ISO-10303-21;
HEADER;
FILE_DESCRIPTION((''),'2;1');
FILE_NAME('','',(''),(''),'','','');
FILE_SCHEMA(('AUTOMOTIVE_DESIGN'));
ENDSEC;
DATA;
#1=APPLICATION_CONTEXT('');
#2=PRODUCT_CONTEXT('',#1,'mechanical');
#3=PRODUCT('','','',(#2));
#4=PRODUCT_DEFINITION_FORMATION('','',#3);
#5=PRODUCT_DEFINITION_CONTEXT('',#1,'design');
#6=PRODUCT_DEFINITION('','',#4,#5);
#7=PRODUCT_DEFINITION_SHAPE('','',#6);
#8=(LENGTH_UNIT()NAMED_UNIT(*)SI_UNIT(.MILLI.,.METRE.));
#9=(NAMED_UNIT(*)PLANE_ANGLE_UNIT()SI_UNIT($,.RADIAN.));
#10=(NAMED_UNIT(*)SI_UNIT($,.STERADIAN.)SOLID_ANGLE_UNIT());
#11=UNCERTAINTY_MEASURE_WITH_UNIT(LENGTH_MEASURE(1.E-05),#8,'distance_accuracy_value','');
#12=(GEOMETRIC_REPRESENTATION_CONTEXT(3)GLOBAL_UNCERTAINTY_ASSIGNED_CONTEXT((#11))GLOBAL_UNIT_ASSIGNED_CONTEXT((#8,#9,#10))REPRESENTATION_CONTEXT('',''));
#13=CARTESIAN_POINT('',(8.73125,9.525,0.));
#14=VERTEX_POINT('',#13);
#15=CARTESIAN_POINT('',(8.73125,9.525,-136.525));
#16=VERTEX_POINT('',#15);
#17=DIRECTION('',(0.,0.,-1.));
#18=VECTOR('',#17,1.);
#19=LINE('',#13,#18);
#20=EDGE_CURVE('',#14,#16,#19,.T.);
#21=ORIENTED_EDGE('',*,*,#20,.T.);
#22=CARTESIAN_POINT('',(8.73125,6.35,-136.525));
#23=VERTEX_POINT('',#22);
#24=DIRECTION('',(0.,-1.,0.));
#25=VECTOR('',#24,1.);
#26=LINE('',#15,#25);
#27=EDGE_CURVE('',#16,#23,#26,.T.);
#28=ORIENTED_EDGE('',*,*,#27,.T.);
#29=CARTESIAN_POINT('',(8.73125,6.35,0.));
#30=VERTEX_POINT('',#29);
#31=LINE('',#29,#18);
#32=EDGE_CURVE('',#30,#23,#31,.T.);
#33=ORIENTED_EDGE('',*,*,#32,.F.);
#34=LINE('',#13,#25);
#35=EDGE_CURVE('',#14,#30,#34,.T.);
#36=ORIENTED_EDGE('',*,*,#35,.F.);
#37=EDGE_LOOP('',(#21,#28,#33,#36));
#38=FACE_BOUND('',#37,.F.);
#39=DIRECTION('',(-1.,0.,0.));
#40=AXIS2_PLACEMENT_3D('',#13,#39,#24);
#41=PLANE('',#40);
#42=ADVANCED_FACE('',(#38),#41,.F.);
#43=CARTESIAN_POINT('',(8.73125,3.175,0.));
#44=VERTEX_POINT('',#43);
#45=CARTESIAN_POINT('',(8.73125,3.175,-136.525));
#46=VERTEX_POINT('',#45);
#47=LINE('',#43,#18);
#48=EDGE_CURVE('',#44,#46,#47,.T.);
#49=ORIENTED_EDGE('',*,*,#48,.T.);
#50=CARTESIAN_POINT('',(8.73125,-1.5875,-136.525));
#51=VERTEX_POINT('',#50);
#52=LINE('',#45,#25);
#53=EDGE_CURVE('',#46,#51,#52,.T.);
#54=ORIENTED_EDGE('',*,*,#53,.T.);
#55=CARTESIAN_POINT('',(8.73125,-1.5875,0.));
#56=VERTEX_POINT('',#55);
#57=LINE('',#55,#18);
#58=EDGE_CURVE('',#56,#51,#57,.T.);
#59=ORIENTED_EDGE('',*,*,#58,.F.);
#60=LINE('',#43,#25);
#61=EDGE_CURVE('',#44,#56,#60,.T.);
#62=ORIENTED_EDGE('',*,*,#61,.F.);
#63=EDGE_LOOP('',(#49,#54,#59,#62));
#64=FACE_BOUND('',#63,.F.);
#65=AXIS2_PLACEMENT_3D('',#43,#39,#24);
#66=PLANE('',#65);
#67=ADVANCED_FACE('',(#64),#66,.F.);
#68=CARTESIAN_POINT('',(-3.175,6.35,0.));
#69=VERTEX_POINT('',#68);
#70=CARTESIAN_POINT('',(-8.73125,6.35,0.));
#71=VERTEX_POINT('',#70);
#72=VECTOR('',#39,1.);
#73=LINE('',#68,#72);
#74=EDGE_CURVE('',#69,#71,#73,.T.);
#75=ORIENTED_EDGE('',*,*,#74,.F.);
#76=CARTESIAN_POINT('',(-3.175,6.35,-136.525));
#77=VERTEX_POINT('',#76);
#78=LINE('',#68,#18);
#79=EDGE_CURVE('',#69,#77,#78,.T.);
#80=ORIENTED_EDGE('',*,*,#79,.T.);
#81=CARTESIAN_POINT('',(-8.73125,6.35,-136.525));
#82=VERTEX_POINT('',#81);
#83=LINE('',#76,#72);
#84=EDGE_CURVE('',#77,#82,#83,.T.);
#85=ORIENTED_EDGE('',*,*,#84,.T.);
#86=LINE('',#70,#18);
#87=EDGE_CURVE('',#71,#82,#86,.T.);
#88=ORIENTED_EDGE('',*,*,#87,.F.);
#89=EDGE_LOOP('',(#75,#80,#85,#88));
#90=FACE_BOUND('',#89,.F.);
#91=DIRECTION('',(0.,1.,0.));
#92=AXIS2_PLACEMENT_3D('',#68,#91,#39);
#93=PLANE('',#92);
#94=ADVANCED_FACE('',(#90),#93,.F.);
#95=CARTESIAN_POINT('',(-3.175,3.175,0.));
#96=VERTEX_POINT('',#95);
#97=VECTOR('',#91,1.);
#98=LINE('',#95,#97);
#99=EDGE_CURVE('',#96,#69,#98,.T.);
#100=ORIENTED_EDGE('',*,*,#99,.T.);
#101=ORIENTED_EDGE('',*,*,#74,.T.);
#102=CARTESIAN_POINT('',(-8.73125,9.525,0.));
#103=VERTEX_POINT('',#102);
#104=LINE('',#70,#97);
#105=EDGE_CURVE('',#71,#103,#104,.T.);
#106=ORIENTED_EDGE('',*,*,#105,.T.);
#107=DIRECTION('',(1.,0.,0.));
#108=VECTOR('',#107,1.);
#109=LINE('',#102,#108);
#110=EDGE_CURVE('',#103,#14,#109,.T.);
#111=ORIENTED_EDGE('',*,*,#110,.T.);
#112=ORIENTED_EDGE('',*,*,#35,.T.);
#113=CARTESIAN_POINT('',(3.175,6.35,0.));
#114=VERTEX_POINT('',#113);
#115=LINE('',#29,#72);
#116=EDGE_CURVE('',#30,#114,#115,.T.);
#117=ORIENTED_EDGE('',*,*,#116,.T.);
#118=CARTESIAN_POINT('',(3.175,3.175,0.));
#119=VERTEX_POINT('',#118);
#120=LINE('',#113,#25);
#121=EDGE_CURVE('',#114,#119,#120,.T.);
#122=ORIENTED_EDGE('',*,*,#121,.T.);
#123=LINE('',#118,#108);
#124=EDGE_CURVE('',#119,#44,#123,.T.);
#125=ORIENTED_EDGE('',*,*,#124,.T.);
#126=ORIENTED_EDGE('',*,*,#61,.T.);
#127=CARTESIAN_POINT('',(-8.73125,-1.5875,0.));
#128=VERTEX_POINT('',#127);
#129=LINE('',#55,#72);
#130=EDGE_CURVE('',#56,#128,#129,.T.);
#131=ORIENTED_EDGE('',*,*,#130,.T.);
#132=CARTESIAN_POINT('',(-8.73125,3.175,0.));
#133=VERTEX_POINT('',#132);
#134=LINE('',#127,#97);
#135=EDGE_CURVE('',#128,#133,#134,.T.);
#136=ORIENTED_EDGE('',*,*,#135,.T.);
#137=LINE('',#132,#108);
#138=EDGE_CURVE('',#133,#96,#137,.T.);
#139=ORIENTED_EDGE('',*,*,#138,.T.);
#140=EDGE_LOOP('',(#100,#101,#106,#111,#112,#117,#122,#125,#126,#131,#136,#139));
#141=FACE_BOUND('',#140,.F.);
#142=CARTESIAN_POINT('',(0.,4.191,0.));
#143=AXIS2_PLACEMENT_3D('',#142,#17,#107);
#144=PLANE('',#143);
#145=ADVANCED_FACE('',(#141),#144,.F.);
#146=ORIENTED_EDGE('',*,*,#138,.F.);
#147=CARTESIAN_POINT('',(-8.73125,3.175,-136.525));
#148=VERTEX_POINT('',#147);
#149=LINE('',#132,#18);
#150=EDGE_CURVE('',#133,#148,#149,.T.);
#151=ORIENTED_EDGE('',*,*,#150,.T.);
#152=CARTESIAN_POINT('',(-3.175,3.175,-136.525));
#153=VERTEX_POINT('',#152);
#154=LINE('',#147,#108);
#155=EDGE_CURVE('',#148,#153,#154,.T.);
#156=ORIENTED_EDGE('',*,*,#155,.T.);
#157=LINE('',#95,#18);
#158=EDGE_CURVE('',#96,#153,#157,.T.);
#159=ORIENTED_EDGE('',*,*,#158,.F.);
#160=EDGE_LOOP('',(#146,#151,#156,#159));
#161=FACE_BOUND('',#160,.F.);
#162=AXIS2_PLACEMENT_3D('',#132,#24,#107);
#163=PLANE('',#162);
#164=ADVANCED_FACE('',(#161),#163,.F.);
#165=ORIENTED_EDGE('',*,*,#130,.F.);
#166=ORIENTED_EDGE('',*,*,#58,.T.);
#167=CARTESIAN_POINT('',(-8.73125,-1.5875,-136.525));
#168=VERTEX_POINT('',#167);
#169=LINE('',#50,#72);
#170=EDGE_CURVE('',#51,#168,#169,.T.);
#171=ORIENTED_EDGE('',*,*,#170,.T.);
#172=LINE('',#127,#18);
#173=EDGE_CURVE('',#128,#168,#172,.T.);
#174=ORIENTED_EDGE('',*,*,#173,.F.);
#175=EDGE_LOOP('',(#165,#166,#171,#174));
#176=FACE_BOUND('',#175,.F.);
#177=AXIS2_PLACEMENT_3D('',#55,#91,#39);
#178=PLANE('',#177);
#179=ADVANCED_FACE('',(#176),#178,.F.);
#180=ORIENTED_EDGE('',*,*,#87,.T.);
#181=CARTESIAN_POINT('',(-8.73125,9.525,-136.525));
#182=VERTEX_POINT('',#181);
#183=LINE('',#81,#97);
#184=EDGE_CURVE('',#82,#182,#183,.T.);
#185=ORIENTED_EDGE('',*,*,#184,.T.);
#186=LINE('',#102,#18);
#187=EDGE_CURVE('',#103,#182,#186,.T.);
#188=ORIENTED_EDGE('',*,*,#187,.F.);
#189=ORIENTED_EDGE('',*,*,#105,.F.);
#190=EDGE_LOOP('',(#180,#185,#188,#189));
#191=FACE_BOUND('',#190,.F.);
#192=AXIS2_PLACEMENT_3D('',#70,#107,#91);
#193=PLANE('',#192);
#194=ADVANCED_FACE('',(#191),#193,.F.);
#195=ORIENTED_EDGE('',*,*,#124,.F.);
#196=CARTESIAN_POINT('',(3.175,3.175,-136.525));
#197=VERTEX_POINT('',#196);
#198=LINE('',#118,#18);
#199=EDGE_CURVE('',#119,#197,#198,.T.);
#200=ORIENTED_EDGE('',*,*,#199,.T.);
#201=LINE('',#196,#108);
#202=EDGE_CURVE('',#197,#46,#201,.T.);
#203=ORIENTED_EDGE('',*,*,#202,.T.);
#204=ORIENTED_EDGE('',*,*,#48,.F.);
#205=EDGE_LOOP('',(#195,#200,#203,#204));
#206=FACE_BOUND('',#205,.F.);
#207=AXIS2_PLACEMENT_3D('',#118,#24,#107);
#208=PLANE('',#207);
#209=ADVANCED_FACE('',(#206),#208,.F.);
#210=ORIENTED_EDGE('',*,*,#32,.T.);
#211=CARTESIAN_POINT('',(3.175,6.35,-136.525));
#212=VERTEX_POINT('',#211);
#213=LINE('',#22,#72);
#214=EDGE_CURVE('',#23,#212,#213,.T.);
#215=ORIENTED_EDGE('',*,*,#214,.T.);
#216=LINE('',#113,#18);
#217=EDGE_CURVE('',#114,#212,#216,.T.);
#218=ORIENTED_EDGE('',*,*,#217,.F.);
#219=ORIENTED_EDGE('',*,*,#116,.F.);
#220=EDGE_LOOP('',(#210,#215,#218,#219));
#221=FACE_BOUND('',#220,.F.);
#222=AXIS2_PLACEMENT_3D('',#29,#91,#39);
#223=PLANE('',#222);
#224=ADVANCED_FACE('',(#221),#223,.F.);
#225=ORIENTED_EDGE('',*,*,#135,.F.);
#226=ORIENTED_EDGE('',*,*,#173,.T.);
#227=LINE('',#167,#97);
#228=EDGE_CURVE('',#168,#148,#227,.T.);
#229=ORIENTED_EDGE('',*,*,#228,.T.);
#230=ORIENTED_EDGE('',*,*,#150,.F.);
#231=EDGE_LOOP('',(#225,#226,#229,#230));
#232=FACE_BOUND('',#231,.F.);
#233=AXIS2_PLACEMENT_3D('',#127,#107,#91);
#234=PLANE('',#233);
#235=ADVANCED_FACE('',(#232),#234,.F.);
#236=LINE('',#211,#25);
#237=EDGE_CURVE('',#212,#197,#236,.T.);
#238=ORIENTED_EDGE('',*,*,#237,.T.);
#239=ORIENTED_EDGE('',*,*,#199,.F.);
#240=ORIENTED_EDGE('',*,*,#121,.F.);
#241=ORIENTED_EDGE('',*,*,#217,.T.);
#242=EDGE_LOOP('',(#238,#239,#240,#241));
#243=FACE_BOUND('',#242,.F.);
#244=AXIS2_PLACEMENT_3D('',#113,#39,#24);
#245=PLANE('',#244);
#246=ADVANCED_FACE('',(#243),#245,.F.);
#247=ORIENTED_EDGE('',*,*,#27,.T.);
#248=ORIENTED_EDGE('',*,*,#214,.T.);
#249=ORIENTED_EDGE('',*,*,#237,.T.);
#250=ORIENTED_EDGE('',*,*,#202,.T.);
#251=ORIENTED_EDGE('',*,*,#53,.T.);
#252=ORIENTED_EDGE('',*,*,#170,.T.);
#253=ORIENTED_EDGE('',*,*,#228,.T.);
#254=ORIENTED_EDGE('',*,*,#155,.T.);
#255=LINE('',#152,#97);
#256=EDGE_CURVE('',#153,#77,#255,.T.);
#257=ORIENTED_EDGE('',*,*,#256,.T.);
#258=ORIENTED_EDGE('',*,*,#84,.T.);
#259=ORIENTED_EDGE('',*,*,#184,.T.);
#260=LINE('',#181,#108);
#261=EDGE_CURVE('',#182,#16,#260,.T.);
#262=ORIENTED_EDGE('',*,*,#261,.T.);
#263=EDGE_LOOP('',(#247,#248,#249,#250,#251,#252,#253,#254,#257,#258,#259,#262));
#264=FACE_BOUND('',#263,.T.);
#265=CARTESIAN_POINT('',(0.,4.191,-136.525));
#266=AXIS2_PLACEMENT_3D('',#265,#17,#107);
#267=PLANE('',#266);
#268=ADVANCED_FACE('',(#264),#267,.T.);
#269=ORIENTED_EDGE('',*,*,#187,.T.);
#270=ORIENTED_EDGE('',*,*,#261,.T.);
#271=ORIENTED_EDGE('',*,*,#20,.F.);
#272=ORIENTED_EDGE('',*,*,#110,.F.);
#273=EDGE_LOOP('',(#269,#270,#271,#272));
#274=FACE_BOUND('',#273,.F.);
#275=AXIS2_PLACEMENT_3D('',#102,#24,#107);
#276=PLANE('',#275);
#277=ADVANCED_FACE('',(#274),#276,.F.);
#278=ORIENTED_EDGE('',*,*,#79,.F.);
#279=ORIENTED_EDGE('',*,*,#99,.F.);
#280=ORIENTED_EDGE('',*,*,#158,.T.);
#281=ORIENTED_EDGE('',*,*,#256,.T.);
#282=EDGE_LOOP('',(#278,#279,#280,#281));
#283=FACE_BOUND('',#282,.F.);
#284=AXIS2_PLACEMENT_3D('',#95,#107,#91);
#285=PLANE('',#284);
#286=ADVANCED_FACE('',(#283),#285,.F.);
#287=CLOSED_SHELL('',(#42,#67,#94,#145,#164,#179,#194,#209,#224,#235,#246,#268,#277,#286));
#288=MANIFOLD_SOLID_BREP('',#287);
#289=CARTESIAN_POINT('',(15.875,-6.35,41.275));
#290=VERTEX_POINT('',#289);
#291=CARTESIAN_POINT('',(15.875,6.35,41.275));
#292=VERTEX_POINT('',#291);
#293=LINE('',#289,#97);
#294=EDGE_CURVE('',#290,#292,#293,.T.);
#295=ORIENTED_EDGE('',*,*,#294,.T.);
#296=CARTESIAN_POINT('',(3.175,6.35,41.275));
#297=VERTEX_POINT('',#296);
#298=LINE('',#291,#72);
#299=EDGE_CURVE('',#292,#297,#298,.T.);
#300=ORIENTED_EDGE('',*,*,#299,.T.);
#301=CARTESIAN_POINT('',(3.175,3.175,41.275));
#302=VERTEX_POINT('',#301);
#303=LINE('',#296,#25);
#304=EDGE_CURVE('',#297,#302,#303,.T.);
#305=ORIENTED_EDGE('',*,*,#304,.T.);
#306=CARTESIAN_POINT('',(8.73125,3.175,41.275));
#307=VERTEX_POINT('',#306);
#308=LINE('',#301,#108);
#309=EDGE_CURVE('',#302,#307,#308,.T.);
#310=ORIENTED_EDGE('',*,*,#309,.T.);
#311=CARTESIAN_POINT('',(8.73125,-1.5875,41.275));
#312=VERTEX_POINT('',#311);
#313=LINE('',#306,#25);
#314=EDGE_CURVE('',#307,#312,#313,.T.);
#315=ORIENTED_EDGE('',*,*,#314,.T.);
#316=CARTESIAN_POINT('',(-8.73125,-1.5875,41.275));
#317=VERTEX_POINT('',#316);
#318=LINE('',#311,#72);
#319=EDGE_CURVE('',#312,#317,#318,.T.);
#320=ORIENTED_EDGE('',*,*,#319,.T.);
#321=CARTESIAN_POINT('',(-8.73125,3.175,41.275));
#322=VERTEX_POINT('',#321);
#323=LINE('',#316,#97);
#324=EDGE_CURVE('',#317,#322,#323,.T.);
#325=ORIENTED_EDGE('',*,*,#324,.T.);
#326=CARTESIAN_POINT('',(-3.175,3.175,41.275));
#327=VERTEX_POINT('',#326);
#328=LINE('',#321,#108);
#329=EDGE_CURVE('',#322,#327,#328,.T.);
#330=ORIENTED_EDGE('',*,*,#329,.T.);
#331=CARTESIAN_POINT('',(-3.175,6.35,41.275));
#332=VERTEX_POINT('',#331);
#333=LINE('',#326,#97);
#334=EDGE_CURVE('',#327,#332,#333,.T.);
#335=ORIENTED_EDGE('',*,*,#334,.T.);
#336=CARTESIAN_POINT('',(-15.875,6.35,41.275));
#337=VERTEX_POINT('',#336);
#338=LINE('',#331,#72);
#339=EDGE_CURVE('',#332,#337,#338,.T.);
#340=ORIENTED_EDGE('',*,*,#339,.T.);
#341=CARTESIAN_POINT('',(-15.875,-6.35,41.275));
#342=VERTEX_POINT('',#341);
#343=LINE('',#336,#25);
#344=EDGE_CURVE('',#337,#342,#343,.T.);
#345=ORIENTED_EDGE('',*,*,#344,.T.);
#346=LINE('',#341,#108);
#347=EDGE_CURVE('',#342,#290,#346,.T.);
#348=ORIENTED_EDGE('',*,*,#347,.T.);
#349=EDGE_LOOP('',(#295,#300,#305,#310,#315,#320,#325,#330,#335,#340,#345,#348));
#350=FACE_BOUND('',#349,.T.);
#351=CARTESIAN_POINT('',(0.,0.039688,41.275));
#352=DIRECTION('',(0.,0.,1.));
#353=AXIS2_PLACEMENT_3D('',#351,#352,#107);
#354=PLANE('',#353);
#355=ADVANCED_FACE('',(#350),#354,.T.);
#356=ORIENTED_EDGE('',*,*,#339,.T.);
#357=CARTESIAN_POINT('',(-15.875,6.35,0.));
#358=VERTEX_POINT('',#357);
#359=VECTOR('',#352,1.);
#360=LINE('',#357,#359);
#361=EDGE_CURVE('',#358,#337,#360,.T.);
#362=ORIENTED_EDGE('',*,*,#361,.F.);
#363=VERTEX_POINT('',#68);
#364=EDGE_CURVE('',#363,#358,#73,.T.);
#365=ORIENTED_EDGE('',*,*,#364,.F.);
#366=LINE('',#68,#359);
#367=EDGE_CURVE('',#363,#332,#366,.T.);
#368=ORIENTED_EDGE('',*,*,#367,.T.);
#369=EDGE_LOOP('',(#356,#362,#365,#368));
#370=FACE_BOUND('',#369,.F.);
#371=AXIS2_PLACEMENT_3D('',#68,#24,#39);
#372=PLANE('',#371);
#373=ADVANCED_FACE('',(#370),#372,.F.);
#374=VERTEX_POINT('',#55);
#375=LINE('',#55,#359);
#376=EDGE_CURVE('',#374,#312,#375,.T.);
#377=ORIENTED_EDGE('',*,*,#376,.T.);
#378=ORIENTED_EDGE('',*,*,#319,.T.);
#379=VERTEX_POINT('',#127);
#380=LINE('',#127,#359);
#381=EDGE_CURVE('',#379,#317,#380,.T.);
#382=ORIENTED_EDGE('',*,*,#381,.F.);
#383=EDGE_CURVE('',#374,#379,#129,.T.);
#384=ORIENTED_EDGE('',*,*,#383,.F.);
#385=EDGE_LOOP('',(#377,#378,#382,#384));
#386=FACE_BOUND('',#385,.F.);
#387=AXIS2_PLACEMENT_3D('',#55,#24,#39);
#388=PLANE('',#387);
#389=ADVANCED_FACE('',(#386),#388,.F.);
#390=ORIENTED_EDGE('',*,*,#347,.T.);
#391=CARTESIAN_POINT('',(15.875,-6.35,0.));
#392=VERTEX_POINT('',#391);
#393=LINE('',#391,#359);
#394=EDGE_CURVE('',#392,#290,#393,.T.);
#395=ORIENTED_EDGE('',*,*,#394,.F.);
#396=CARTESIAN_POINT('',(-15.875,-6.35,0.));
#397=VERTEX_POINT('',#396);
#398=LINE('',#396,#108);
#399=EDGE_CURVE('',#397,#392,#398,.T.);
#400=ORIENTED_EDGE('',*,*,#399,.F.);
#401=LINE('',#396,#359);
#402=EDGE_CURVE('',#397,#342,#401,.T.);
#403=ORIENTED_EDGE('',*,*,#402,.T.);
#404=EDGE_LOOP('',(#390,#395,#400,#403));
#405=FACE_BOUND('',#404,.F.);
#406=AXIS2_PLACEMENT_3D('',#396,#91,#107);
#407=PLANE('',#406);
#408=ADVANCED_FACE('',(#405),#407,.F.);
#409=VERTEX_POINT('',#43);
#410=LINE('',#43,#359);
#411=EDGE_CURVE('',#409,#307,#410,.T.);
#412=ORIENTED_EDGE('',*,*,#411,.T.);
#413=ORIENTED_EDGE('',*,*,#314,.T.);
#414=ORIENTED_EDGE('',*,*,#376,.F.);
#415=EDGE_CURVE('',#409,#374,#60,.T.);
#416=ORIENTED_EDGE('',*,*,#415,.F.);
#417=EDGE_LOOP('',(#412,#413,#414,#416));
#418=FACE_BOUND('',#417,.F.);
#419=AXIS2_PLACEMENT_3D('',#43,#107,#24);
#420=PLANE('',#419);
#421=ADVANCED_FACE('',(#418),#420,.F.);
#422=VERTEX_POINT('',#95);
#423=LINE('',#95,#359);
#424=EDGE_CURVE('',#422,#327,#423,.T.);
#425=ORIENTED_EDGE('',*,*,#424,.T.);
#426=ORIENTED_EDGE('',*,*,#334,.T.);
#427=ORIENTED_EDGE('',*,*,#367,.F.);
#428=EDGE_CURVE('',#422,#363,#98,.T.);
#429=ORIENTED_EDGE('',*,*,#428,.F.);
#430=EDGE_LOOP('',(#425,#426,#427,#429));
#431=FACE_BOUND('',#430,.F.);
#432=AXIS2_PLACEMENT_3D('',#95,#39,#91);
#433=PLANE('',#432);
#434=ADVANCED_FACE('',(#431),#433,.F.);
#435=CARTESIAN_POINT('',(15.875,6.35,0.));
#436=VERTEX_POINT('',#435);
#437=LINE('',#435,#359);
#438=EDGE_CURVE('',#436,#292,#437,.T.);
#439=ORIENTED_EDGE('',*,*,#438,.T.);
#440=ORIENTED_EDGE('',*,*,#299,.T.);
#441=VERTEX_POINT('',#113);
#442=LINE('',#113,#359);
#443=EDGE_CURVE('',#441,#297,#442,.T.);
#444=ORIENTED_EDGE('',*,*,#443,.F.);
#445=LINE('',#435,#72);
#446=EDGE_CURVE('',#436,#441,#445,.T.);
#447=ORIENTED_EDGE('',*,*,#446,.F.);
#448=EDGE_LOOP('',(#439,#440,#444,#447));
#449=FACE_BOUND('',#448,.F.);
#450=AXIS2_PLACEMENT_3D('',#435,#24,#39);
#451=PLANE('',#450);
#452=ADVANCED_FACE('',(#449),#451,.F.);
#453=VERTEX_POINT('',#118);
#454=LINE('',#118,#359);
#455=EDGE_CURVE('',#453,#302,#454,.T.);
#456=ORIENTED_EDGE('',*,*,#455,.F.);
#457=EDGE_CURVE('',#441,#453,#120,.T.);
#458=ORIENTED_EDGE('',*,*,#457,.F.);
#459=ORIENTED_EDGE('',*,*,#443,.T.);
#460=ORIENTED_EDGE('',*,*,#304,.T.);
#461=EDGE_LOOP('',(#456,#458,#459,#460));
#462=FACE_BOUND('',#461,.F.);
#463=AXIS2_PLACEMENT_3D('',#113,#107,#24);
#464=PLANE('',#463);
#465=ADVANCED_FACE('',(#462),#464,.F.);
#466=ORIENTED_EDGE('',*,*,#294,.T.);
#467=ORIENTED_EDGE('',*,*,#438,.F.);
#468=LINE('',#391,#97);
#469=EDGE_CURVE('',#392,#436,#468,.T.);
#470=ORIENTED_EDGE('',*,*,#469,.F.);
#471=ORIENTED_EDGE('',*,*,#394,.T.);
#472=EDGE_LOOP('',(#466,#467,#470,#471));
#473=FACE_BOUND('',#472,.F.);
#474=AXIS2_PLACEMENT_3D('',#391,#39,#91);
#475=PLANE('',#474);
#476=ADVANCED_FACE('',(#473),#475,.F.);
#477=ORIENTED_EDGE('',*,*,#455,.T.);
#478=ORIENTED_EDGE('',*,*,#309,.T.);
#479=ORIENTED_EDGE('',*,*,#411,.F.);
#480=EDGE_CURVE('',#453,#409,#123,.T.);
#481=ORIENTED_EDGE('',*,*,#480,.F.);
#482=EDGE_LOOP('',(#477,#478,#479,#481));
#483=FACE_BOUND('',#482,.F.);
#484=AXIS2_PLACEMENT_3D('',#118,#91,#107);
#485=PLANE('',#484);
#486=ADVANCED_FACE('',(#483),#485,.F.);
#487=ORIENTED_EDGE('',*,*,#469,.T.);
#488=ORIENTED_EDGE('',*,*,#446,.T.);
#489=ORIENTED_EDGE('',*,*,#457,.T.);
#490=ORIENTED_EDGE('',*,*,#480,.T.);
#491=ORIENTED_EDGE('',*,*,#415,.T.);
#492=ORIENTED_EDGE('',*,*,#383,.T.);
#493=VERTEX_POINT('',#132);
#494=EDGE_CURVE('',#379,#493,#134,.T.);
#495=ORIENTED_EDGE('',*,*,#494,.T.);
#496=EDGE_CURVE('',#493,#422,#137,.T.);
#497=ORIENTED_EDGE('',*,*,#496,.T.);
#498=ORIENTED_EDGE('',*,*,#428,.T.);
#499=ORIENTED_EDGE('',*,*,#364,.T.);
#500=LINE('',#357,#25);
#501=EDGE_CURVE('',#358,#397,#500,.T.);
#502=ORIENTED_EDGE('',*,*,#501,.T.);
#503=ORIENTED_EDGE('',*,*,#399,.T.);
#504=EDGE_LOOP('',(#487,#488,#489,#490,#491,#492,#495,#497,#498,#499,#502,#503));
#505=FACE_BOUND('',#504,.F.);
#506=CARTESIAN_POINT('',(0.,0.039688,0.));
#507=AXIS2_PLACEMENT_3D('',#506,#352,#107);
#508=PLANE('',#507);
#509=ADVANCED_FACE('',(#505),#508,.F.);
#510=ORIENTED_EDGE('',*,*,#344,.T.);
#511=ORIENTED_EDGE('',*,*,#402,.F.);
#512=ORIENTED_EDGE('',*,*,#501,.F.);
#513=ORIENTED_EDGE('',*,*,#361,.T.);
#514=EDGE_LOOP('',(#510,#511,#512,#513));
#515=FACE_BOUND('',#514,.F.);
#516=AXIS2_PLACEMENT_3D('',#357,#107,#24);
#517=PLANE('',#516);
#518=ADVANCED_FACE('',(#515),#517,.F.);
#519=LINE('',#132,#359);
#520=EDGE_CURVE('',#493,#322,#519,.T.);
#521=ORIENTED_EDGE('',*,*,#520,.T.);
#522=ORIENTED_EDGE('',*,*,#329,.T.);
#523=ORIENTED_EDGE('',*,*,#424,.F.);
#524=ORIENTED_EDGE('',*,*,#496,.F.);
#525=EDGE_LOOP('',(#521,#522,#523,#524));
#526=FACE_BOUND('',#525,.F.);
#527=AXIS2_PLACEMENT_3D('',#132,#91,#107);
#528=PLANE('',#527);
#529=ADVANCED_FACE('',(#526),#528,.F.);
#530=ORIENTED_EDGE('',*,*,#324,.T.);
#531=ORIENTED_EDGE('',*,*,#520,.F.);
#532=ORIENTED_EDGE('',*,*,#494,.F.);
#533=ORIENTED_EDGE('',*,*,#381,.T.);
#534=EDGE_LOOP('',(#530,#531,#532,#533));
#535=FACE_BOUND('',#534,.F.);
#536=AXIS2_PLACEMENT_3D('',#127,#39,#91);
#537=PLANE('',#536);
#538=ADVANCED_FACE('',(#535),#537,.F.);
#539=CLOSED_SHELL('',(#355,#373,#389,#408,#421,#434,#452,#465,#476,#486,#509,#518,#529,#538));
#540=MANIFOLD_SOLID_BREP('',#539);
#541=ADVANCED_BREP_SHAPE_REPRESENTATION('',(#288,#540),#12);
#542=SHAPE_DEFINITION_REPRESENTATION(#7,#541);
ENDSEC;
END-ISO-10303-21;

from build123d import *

# Parameters (mm, degrees)
F1_DEPTH = 41.275
F3_DEPTH = 136.525


with BuildPart() as f1:
    # F0 (on Top) → F1 (new body)
    with BuildSketch(Plane.XY):
        Polygon((15.875, -6.35), (15.875, 6.35), (3.175, 6.35), (3.175, 3.175), (8.73125, 3.175), (8.73125, -1.5875), (-8.73125, -1.5875), (-8.73125, 3.175), (-3.175, 3.175), (-3.175, 6.35), (-15.875, 6.35), (-15.875, -6.35), align=None)
    extrude(amount=F1_DEPTH)


with BuildPart() as f3:
    # F2 (on face) → F3 (new body)
    with BuildSketch(Plane(origin=(0, 0, 0), x_dir=(1, 0, 0), z_dir=(0, 0, -1))):
        Polygon((3.175, -3.175), (8.73125, -3.175), (8.73125, 1.5875), (-8.73125, 1.5875), (-8.73125, -3.175), (-3.175, -3.175), (-3.175, -4.7625), (-3.175, -6.35), (-8.73125, -6.35), (-8.73125, -9.525), (8.73125, -9.525), (8.73125, -6.35), (3.175, -6.35), (3.175, -4.7625), align=None)
    extrude(amount=F3_DEPTH)


solid = Compound([f1.part, f3.part])
